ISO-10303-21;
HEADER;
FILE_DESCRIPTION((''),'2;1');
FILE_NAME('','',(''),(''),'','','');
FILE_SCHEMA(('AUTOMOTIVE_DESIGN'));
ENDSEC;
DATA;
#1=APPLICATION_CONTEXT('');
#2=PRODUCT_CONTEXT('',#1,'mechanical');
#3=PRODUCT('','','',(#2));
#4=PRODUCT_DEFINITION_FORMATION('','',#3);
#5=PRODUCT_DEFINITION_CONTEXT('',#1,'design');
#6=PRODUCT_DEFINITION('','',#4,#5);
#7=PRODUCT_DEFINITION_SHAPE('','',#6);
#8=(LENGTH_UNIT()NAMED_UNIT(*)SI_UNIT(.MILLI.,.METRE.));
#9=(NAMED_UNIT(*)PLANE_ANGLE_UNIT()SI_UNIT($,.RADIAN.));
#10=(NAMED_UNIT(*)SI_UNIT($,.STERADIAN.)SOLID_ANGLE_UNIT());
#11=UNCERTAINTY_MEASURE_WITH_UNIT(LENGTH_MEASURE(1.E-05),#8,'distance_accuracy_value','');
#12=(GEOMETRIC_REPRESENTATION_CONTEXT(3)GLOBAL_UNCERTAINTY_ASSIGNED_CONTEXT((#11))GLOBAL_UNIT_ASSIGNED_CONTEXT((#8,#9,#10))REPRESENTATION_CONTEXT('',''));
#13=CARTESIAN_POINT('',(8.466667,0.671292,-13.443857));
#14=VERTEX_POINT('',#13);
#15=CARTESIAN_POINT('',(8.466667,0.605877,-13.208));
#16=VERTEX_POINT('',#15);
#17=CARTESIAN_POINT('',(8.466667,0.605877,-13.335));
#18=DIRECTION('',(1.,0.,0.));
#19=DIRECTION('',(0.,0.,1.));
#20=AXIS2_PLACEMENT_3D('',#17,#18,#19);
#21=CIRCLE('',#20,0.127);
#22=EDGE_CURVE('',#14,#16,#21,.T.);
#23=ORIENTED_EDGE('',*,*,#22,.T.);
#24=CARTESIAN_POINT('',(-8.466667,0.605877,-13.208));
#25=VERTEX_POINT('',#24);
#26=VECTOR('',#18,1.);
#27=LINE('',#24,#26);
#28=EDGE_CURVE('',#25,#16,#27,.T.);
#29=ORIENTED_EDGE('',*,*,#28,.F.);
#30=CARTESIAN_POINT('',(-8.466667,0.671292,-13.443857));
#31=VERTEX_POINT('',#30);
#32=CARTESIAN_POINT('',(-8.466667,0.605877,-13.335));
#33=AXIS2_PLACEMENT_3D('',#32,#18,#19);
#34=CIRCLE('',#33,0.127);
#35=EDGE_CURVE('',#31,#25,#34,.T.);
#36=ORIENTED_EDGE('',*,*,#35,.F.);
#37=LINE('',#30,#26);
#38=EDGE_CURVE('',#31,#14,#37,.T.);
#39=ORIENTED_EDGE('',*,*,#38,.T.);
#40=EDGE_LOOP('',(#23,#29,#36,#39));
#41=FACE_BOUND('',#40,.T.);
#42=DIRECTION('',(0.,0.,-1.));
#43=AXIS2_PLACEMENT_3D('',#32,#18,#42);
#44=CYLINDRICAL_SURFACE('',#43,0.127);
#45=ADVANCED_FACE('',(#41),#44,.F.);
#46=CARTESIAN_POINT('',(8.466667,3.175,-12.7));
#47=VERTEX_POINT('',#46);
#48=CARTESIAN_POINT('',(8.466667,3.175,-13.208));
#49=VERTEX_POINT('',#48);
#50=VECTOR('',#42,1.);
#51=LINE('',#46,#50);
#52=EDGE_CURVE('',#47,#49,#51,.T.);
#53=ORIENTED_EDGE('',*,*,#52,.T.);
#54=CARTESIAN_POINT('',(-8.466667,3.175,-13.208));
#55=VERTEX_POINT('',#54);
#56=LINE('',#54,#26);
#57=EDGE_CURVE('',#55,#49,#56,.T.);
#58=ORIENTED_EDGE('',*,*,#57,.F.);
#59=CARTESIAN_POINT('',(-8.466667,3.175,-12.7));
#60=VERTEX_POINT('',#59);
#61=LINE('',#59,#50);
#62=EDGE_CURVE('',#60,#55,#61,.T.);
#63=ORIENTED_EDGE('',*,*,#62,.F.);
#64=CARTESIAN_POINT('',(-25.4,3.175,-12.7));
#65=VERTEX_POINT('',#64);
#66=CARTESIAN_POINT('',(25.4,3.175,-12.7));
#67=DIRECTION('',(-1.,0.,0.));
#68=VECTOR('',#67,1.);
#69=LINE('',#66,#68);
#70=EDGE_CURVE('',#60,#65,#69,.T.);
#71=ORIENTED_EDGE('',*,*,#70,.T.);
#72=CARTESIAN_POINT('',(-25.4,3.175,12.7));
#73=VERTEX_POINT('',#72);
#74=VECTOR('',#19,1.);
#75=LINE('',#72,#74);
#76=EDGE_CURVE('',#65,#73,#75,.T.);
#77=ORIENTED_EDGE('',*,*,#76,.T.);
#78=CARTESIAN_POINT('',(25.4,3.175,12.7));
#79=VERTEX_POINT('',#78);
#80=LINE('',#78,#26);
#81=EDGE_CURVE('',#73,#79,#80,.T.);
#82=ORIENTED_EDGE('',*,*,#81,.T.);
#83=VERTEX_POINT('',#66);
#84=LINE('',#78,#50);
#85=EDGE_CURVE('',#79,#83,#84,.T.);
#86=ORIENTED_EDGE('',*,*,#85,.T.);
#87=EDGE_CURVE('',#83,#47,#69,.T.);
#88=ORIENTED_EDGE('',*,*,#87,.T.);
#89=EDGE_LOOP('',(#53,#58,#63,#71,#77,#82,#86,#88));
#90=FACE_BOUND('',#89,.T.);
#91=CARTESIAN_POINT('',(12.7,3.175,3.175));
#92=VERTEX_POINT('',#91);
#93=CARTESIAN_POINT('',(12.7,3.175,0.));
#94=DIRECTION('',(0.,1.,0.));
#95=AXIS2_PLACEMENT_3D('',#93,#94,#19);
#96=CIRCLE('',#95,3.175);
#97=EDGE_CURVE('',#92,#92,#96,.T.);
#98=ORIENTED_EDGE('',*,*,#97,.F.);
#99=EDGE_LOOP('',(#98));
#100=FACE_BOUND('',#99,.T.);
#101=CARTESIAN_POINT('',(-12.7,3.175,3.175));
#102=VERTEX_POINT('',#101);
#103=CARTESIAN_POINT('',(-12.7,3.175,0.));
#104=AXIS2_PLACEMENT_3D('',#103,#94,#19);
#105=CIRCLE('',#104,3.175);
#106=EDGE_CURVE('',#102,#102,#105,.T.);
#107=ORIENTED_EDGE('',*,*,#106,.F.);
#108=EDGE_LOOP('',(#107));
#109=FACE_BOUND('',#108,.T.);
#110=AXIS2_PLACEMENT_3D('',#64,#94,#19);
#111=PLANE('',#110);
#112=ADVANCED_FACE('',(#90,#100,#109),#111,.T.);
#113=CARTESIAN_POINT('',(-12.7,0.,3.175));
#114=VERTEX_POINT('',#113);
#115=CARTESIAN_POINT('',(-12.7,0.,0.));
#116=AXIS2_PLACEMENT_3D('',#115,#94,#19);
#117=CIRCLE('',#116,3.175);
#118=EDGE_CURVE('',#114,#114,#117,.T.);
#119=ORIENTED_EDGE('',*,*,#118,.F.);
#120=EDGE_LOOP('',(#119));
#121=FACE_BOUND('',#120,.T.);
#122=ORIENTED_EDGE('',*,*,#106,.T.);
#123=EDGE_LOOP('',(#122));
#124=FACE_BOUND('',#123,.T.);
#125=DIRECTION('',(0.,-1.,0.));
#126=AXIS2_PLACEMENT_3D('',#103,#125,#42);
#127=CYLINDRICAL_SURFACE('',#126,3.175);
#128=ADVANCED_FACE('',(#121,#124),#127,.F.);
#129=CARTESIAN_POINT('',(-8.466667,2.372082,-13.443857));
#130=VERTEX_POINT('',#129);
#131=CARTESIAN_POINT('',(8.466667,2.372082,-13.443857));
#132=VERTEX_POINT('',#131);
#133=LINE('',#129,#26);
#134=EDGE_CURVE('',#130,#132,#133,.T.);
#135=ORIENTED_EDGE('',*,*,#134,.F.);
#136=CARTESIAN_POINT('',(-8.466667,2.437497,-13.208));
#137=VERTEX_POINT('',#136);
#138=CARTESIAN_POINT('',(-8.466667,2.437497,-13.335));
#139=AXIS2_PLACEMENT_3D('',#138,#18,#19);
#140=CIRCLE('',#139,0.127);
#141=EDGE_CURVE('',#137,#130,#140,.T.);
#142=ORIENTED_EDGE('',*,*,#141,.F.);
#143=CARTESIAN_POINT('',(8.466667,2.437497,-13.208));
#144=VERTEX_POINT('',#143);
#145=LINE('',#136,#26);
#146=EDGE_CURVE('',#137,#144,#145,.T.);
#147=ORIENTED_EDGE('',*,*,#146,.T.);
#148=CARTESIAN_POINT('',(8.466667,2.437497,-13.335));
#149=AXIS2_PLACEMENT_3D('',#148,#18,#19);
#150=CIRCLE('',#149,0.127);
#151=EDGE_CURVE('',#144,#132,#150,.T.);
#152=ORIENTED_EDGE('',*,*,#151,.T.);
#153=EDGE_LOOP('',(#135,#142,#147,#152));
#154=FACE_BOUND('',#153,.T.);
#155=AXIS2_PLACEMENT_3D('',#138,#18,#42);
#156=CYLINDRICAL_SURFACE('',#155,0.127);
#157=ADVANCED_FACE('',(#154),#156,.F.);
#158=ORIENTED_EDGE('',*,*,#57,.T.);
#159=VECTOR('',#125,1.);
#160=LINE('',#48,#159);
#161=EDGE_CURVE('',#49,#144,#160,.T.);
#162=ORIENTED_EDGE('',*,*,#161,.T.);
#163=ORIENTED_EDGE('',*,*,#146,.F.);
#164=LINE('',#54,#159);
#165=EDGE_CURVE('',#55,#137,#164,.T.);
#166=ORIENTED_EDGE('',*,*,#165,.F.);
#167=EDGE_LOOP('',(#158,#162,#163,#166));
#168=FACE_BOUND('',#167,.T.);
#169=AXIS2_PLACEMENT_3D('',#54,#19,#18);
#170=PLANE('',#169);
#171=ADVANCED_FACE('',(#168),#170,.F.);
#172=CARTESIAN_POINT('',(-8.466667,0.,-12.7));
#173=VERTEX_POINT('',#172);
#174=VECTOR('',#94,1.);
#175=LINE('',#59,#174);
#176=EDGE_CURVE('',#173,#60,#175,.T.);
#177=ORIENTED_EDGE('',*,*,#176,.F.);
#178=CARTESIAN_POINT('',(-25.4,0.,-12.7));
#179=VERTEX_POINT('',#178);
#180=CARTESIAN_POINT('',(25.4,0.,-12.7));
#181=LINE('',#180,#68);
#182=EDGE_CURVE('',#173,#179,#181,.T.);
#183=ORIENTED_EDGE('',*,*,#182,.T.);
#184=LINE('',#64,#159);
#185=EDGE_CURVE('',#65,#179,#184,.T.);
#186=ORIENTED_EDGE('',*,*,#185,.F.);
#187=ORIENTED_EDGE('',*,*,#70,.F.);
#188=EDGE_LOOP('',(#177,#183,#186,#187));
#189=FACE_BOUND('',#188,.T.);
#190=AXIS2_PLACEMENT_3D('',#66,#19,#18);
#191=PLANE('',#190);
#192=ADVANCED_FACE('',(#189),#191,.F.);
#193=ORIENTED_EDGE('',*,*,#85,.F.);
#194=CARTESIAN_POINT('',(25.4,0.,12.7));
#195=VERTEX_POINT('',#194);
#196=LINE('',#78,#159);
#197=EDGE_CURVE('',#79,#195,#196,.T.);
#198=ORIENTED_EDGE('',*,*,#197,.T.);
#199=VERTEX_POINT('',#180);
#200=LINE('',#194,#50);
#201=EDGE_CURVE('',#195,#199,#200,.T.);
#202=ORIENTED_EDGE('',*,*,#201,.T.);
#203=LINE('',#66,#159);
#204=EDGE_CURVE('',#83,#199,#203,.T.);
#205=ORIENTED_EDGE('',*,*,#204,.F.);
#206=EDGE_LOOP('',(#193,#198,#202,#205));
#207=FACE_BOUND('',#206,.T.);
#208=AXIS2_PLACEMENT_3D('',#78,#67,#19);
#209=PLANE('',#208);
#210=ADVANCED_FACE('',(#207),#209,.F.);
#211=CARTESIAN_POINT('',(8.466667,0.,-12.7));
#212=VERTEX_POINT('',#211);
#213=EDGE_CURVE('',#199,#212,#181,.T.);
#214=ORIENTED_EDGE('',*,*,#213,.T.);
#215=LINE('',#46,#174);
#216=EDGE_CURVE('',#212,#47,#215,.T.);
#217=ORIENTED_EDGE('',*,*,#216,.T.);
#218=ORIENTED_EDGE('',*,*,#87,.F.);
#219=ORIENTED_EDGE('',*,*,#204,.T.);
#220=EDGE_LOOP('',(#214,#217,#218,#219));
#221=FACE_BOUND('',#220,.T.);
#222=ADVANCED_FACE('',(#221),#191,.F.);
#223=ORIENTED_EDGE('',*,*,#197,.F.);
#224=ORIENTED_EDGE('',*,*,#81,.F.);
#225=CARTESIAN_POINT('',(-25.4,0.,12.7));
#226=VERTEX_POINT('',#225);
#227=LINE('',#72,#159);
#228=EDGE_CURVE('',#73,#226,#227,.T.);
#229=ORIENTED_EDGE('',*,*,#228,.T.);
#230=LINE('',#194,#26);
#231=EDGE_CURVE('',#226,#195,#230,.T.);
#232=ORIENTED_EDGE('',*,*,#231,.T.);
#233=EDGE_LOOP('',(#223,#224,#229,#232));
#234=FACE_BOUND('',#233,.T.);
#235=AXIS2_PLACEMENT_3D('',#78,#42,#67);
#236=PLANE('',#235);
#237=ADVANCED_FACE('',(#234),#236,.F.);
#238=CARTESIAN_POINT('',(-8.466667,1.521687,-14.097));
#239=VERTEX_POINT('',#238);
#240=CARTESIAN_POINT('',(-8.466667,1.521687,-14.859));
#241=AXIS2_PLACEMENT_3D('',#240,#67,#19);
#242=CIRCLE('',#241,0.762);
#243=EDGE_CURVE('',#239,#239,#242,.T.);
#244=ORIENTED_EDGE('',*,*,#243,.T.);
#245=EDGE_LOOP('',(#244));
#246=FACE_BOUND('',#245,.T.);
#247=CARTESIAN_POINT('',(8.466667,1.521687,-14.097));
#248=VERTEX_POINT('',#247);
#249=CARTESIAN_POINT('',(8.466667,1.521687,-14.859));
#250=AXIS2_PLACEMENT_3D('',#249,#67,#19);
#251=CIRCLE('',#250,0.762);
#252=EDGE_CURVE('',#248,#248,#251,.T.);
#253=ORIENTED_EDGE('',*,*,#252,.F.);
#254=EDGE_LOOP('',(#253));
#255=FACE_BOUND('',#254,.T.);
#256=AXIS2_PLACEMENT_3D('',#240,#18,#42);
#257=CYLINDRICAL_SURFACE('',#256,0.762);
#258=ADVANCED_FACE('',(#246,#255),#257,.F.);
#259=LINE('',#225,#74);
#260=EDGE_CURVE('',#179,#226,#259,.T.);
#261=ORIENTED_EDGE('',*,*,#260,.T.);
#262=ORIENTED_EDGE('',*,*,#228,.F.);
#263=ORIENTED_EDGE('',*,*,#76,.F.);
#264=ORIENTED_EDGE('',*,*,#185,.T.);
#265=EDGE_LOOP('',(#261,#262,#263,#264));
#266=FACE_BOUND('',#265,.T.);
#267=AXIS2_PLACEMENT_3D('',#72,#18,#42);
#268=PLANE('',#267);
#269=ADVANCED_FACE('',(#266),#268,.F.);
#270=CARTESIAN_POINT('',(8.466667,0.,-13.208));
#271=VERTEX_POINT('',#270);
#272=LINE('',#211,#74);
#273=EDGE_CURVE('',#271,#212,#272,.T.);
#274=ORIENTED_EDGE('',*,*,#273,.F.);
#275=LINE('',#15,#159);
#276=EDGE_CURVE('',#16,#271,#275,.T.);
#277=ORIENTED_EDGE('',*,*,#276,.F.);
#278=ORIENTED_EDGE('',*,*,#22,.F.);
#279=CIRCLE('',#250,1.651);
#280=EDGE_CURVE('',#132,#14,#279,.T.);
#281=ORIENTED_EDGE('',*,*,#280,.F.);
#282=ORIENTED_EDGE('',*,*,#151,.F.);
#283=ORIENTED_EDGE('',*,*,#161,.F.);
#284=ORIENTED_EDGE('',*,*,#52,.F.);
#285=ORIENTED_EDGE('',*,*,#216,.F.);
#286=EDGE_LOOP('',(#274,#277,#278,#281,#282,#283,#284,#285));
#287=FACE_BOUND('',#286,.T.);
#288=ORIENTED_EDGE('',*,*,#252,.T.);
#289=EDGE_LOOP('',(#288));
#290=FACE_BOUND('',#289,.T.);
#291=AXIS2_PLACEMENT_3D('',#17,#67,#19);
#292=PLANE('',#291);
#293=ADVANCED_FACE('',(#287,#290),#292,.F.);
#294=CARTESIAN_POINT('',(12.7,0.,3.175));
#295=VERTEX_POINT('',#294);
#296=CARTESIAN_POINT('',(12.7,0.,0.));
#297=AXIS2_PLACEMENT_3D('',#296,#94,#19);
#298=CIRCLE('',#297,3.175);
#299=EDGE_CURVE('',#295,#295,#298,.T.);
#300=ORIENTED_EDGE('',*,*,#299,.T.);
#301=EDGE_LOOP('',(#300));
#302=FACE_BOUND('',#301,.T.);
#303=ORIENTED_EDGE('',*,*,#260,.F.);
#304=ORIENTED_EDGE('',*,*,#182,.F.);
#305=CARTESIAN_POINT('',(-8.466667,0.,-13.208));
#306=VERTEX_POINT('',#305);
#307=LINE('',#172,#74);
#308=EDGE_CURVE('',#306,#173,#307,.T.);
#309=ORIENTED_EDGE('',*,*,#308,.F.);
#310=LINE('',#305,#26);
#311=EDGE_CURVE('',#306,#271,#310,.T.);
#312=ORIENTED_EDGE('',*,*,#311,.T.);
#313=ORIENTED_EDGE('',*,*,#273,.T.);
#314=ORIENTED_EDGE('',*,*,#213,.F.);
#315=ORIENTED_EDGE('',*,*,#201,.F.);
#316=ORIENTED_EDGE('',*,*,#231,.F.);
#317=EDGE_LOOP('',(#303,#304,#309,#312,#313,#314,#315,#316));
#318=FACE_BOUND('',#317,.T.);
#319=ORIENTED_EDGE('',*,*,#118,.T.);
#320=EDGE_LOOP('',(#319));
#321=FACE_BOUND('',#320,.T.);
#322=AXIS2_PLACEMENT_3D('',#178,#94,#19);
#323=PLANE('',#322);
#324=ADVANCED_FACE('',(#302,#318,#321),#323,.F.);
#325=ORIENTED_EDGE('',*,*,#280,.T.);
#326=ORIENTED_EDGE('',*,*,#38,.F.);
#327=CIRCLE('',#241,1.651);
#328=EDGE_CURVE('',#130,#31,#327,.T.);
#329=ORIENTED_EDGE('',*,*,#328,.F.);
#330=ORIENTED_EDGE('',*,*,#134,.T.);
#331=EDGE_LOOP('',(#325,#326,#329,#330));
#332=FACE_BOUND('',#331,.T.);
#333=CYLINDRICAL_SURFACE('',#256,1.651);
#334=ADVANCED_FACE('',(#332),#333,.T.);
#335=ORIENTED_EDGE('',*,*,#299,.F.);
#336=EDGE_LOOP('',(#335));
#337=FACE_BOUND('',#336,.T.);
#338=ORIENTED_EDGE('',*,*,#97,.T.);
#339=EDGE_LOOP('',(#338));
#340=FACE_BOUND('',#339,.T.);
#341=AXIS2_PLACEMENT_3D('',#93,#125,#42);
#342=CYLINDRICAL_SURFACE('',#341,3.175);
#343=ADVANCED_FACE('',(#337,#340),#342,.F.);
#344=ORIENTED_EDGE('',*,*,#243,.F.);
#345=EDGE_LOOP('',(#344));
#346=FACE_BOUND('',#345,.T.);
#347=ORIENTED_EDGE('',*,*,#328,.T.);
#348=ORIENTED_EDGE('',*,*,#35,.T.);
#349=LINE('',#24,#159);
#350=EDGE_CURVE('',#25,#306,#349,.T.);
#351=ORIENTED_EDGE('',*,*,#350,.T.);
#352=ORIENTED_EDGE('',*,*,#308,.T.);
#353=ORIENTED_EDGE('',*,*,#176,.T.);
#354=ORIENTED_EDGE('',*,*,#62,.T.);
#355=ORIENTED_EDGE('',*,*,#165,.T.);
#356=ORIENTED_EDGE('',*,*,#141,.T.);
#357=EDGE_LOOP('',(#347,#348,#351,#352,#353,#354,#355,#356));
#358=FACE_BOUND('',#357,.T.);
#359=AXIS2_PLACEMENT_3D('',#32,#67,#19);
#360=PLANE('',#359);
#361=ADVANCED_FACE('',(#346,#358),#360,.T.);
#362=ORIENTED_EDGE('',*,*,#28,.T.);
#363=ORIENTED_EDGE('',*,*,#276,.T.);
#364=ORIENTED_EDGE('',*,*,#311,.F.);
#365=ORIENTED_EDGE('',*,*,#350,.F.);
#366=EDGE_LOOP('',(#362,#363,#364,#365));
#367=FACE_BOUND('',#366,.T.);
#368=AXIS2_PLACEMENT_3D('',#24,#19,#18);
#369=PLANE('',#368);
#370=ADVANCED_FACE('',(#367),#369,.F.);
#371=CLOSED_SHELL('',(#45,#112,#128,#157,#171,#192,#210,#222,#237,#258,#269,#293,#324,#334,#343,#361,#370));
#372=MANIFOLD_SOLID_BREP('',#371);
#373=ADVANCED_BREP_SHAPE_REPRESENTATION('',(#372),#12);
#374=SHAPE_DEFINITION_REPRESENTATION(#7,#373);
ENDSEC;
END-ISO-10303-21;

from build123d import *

# Parameters (mm, degrees)
CROQUIS3_W              = 50.8
CROQUIS3_H              = 25.4
CROQUIS3_R              = 3.175
SALIENTE_EXTRUIR1_DEPTH = 3.175
CROQUIS6_R              = 0.762
SALIENTE_EXTRUIR3_DEPTH = 8.466666667


with BuildPart() as part:
    # Croquis3 → Saliente-Extruir1 (new body)
    with BuildSketch(Plane(origin=(0, 0, 0), x_dir=(1, 0, 0), z_dir=(0, 1, 0))):
        Rectangle(CROQUIS3_W, CROQUIS3_H)
        with Locations((-12.7, 0)):
            Circle(CROQUIS3_R, mode=Mode.SUBTRACT)
        with Locations((12.7, 0)):
            Circle(CROQUIS3_R, mode=Mode.SUBTRACT)
    extrude(amount=SALIENTE_EXTRUIR1_DEPTH)

    # Croquis6 → Saliente-Extruir3 (add, symmetric)
    with BuildSketch(Plane.ZY):
        with BuildLine():
            Line((-12.7, 3.175), (-13.208, 3.175))
            Line((-13.208, 3.175), (-13.208, 2.437497499))
            ThreePointArc((-13.208, 2.437497499), (-13.301057822, 2.315117237), (-13.443857143, 2.372082497))
            ThreePointArc((-13.443857143, 2.372082497), (-16.51, 1.521687475), (-13.443857143, 0.671292453))
            ThreePointArc((-13.443857143, 0.671292453), (-13.301057822, 0.728257713), (-13.208, 0.605877451))
            Line((-13.208, 0.605877451), (-13.208, 0))
            Line((-13.208, 0), (-12.7, 0))
            Line((-12.7, 0), (-12.7, 3.175))
        make_face()
        with Locations((-14.859, 1.521687475)):
            Circle(CROQUIS6_R, mode=Mode.SUBTRACT)
    extrude(amount=SALIENTE_EXTRUIR3_DEPTH, both=True)


solid = part.part
